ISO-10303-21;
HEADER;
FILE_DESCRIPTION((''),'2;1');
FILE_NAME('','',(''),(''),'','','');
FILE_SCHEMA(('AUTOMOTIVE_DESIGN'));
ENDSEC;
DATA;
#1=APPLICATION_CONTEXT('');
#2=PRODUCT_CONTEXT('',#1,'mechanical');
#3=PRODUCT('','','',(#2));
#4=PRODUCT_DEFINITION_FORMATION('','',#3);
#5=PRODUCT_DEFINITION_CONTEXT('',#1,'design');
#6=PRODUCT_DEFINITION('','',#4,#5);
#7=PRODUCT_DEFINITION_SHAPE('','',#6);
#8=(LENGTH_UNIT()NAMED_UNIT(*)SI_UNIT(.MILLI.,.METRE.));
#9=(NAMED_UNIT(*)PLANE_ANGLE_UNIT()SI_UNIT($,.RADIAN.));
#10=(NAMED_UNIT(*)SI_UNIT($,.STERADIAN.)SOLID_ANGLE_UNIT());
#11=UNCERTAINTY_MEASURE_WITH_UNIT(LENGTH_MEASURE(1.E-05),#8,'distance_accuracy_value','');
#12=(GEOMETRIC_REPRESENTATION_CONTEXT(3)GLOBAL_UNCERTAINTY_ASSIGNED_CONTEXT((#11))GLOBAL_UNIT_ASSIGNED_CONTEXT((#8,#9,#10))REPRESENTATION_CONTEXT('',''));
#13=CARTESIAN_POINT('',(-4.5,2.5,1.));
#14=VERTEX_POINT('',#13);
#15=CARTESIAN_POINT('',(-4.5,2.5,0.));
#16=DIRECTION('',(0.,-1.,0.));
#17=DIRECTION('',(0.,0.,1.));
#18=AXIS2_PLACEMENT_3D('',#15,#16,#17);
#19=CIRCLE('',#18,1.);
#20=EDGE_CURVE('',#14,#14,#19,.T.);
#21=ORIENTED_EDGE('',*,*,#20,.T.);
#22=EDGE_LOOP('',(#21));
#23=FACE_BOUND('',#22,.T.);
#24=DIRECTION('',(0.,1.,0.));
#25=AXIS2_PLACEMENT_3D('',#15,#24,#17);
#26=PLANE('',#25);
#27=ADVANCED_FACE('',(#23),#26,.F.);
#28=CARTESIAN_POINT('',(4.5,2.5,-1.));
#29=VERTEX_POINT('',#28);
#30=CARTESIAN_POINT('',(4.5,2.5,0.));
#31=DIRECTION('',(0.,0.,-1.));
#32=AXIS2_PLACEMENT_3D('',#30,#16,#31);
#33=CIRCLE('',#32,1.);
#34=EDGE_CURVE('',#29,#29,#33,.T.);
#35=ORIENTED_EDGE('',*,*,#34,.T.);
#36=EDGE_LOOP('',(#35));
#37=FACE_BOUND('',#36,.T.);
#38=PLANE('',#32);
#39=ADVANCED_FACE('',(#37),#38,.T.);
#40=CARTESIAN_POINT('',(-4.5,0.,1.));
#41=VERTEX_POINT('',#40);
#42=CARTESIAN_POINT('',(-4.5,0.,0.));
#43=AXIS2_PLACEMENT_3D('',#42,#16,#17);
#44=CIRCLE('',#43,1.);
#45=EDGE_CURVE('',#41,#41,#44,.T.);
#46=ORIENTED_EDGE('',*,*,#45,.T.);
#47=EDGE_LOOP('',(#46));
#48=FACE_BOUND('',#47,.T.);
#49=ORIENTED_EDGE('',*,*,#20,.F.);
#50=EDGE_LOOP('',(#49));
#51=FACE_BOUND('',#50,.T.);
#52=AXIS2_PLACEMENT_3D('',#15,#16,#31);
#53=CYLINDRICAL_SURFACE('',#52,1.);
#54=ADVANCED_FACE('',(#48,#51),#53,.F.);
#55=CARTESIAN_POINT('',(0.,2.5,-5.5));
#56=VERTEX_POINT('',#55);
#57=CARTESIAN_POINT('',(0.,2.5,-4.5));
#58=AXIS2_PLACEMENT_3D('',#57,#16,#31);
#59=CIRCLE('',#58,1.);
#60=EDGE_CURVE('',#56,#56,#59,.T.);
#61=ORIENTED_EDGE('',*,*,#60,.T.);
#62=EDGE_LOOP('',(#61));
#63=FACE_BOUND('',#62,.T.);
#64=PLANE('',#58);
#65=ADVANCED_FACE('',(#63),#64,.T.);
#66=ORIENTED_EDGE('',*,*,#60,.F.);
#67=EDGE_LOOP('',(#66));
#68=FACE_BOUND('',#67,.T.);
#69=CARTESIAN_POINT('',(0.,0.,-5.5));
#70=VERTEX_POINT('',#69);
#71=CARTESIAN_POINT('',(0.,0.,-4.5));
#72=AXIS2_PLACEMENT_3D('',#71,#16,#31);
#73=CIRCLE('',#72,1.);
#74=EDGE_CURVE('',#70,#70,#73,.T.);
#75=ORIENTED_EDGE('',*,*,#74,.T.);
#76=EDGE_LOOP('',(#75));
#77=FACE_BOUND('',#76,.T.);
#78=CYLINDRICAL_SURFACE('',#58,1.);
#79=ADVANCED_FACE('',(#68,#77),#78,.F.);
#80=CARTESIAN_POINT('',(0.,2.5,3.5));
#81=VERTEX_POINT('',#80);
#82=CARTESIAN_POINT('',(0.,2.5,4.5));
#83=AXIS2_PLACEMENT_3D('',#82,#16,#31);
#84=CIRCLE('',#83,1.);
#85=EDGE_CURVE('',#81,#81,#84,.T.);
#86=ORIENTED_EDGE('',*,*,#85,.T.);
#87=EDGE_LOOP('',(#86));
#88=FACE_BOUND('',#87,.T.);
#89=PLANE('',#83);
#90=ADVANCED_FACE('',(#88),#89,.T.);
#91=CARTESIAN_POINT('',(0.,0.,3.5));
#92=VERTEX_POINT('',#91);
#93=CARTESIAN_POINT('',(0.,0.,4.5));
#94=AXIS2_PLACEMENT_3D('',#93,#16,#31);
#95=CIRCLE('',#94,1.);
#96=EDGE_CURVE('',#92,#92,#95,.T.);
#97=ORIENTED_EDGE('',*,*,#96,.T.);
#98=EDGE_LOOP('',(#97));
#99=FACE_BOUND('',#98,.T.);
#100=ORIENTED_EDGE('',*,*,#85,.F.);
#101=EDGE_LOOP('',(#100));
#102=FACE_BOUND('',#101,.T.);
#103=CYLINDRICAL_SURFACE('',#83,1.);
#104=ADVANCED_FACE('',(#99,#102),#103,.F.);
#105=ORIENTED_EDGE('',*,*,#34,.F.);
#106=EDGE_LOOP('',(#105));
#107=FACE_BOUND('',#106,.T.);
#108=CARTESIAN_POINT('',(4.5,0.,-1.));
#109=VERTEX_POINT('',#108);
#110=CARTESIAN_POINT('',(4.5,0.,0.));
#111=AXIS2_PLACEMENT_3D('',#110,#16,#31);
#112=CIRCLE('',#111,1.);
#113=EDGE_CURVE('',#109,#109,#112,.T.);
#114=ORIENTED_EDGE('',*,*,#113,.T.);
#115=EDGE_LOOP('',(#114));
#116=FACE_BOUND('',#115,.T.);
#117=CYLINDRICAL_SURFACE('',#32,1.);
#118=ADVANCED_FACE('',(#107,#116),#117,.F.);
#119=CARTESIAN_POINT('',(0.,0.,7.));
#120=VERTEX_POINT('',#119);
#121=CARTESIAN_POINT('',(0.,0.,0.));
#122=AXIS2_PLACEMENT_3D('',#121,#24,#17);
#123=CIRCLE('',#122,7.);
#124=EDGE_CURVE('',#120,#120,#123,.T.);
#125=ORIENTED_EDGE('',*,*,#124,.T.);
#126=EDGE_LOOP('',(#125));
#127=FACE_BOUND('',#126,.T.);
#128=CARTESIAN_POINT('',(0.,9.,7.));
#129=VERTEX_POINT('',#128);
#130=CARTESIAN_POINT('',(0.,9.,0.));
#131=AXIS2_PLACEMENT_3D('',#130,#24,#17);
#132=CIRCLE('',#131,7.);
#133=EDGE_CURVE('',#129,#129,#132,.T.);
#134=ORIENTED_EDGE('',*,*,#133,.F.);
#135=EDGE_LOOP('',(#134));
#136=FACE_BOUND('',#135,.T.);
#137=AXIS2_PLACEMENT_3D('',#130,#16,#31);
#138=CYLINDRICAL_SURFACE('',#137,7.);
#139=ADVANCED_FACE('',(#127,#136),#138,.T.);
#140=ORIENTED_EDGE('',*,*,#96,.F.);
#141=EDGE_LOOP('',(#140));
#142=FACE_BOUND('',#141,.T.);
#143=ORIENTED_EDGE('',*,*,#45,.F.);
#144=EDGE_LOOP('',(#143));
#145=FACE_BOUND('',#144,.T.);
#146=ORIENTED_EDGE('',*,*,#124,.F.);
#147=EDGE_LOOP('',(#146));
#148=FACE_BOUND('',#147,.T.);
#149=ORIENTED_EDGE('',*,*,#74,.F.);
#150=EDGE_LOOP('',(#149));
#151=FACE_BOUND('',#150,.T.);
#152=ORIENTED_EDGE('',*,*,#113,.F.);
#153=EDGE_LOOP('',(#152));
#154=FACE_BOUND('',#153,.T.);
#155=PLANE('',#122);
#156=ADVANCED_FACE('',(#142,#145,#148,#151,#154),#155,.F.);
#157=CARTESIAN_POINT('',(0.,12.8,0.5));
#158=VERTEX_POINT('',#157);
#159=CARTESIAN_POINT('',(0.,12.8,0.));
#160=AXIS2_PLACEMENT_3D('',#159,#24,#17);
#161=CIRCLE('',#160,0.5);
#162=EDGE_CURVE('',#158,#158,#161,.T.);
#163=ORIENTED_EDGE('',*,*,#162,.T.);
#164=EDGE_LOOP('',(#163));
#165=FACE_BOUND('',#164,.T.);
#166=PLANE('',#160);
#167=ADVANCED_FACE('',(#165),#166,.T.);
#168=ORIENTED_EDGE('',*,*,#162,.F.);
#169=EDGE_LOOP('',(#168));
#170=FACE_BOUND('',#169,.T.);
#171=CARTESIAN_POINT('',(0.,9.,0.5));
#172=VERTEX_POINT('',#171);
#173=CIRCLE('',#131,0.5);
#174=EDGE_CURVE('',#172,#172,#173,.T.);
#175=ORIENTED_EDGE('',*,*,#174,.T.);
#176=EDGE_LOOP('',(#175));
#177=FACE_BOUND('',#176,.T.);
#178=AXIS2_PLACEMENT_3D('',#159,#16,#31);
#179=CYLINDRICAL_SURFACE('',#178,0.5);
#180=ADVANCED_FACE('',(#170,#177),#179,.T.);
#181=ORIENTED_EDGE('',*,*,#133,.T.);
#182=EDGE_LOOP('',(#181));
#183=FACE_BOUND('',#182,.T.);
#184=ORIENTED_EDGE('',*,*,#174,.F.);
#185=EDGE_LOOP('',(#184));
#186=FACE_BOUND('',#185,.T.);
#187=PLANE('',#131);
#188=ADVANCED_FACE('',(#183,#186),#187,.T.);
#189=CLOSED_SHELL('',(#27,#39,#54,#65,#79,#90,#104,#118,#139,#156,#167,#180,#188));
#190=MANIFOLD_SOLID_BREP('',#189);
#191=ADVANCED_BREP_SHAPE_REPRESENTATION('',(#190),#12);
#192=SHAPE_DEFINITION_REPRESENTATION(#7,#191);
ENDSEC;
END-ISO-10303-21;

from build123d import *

# Parameters (mm, degrees)
SKETCH_1_R          = 7
EXTRUDE_1_DEPTH     = 9
SKETCH_2_R          = 1
CUT_EXTRUDE_2_DEPTH = 2.5
SKETCH_3_R          = 0.5
EXTRUDE_2_DEPTH     = 3.8


with BuildPart() as part:
    # 草图1 → 凸台-拉伸1 (new body)
    with BuildSketch(Plane(origin=(0, 0, 0), x_dir=(1, 0, 0), z_dir=(0, 1, 0))):
        with Locations(Location((0, 0, 0), (0, 0, 270))):
            Circle(SKETCH_1_R)
    extrude(amount=EXTRUDE_1_DEPTH)

    # 草图2 → 切除-拉伸2 (cut)
    with BuildSketch(Plane.XZ):
        with Locations(Location((0, 4.5, 0), (0, 0, 270))):
            Circle(SKETCH_2_R)
        with Locations(Location((0, -4.5, 0), (0, 0, 270))):
            Circle(SKETCH_2_R)
        with Locations(Location((4.5, 0, 0), (0, 0, 270))):
            Circle(SKETCH_2_R)
        with Locations(Location((-4.5, 0, 0), (0, 0, 90))):
            Circle(SKETCH_2_R)
    extrude(amount=-CUT_EXTRUDE_2_DEPTH, mode=Mode.SUBTRACT)

    # 草图3 → 凸台-拉伸2 (add)
    with BuildSketch(Plane(origin=(0, 9, 0), x_dir=(1, 0, 0), z_dir=(0, 1, 0))):
        with Locations(Location((0, 0, 0), (0, 0, 270))):
            Circle(SKETCH_3_R)
    extrude(amount=EXTRUDE_2_DEPTH)


solid = part.part
